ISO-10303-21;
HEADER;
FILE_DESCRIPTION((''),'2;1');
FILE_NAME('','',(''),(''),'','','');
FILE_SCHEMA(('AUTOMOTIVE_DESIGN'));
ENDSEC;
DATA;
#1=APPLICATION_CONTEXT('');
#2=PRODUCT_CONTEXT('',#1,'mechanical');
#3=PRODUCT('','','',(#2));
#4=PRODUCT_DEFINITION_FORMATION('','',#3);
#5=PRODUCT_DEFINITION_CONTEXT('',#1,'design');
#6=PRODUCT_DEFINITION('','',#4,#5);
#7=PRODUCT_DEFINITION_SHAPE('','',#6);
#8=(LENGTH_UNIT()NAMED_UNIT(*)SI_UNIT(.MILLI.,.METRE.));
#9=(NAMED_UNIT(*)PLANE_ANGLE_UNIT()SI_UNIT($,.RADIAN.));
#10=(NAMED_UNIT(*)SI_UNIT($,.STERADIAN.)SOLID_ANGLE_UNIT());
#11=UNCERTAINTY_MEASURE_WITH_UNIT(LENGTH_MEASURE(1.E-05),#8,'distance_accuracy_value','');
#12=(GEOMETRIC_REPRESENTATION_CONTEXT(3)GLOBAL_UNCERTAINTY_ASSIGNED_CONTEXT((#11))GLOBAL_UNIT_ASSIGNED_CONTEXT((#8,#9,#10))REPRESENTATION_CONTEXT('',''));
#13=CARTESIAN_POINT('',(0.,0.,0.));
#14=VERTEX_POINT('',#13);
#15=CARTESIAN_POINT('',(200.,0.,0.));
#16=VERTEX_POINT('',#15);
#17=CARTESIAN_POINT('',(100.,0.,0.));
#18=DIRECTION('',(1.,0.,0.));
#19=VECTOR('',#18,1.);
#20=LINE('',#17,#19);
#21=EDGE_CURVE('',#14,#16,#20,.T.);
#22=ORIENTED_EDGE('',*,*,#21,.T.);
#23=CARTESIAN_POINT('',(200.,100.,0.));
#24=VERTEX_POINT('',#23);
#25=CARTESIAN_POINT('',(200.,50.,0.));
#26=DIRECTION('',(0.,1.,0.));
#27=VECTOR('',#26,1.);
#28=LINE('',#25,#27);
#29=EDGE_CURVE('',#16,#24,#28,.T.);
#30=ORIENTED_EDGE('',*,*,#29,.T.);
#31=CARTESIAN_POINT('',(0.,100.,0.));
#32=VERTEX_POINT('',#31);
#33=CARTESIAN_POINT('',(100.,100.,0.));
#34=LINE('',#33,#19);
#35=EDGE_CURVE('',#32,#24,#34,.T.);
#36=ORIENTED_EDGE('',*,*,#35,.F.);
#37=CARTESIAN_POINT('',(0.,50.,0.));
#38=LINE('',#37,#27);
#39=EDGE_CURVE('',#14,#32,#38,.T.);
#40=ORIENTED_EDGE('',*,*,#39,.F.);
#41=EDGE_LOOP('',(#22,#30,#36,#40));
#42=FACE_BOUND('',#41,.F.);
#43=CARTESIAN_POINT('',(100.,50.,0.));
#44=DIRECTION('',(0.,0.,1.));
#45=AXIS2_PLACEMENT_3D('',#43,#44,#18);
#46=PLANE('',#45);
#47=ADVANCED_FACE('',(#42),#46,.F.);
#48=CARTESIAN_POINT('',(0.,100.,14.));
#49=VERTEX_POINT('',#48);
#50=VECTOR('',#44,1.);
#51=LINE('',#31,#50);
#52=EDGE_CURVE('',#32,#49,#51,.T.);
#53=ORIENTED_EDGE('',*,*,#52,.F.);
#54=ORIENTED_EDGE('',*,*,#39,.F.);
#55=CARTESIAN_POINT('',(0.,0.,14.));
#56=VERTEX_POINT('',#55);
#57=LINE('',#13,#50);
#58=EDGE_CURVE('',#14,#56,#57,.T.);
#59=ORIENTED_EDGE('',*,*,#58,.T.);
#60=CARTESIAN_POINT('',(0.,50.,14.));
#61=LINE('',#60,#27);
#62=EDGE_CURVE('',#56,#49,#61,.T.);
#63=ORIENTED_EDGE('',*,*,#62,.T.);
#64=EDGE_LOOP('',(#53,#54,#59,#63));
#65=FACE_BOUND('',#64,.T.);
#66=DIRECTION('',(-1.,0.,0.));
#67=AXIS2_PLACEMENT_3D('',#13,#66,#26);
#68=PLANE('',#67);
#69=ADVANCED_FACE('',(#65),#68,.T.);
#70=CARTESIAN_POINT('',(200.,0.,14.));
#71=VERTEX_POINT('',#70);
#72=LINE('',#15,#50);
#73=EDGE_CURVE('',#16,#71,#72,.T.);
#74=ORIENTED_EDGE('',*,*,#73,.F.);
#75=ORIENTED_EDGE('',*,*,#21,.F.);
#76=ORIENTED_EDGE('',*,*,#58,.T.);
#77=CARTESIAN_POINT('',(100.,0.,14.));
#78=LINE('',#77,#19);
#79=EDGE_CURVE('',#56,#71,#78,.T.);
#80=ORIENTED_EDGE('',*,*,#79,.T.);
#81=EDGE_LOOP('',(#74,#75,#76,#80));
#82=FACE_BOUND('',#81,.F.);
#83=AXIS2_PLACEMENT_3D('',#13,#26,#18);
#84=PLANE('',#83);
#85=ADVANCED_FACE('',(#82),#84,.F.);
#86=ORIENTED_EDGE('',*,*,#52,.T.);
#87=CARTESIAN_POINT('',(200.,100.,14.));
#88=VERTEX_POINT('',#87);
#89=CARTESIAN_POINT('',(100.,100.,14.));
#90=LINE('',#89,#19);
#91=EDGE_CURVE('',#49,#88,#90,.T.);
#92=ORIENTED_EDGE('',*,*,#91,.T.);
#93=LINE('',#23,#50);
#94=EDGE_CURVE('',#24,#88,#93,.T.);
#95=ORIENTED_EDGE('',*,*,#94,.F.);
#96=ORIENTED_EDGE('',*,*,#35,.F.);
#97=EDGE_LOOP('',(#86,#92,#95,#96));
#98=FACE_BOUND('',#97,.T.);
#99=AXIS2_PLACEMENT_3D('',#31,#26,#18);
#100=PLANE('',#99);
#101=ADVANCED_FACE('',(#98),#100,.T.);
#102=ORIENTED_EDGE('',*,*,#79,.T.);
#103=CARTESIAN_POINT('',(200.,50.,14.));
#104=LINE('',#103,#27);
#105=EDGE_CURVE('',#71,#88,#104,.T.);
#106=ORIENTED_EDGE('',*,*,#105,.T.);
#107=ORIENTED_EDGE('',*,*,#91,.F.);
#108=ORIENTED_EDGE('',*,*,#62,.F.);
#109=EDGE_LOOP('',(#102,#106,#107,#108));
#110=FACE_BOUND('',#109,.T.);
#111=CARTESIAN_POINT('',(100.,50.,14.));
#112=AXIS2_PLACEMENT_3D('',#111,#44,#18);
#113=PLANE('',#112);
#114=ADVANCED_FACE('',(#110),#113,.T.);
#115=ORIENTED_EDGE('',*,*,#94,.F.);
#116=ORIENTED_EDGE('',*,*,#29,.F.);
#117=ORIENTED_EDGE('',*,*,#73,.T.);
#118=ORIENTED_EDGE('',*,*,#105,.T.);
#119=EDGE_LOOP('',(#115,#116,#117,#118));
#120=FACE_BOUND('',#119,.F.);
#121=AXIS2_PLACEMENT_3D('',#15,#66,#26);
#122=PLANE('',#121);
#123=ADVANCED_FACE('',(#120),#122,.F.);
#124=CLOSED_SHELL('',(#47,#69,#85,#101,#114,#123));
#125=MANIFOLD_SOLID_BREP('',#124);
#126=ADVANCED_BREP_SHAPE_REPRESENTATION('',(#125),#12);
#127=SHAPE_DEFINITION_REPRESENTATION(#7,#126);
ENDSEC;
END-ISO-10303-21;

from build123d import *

# Parameters (mm, degrees)
SKETCH_W  = 200
SKETCH_H  = 100
PAD_DEPTH = 14


with BuildPart() as part:
    # Sketch → Pad (new body)
    with BuildSketch(Plane.XY):
        with Locations((100, 50)):
            Rectangle(SKETCH_W, SKETCH_H)
    extrude(amount=PAD_DEPTH)


solid = part.part
